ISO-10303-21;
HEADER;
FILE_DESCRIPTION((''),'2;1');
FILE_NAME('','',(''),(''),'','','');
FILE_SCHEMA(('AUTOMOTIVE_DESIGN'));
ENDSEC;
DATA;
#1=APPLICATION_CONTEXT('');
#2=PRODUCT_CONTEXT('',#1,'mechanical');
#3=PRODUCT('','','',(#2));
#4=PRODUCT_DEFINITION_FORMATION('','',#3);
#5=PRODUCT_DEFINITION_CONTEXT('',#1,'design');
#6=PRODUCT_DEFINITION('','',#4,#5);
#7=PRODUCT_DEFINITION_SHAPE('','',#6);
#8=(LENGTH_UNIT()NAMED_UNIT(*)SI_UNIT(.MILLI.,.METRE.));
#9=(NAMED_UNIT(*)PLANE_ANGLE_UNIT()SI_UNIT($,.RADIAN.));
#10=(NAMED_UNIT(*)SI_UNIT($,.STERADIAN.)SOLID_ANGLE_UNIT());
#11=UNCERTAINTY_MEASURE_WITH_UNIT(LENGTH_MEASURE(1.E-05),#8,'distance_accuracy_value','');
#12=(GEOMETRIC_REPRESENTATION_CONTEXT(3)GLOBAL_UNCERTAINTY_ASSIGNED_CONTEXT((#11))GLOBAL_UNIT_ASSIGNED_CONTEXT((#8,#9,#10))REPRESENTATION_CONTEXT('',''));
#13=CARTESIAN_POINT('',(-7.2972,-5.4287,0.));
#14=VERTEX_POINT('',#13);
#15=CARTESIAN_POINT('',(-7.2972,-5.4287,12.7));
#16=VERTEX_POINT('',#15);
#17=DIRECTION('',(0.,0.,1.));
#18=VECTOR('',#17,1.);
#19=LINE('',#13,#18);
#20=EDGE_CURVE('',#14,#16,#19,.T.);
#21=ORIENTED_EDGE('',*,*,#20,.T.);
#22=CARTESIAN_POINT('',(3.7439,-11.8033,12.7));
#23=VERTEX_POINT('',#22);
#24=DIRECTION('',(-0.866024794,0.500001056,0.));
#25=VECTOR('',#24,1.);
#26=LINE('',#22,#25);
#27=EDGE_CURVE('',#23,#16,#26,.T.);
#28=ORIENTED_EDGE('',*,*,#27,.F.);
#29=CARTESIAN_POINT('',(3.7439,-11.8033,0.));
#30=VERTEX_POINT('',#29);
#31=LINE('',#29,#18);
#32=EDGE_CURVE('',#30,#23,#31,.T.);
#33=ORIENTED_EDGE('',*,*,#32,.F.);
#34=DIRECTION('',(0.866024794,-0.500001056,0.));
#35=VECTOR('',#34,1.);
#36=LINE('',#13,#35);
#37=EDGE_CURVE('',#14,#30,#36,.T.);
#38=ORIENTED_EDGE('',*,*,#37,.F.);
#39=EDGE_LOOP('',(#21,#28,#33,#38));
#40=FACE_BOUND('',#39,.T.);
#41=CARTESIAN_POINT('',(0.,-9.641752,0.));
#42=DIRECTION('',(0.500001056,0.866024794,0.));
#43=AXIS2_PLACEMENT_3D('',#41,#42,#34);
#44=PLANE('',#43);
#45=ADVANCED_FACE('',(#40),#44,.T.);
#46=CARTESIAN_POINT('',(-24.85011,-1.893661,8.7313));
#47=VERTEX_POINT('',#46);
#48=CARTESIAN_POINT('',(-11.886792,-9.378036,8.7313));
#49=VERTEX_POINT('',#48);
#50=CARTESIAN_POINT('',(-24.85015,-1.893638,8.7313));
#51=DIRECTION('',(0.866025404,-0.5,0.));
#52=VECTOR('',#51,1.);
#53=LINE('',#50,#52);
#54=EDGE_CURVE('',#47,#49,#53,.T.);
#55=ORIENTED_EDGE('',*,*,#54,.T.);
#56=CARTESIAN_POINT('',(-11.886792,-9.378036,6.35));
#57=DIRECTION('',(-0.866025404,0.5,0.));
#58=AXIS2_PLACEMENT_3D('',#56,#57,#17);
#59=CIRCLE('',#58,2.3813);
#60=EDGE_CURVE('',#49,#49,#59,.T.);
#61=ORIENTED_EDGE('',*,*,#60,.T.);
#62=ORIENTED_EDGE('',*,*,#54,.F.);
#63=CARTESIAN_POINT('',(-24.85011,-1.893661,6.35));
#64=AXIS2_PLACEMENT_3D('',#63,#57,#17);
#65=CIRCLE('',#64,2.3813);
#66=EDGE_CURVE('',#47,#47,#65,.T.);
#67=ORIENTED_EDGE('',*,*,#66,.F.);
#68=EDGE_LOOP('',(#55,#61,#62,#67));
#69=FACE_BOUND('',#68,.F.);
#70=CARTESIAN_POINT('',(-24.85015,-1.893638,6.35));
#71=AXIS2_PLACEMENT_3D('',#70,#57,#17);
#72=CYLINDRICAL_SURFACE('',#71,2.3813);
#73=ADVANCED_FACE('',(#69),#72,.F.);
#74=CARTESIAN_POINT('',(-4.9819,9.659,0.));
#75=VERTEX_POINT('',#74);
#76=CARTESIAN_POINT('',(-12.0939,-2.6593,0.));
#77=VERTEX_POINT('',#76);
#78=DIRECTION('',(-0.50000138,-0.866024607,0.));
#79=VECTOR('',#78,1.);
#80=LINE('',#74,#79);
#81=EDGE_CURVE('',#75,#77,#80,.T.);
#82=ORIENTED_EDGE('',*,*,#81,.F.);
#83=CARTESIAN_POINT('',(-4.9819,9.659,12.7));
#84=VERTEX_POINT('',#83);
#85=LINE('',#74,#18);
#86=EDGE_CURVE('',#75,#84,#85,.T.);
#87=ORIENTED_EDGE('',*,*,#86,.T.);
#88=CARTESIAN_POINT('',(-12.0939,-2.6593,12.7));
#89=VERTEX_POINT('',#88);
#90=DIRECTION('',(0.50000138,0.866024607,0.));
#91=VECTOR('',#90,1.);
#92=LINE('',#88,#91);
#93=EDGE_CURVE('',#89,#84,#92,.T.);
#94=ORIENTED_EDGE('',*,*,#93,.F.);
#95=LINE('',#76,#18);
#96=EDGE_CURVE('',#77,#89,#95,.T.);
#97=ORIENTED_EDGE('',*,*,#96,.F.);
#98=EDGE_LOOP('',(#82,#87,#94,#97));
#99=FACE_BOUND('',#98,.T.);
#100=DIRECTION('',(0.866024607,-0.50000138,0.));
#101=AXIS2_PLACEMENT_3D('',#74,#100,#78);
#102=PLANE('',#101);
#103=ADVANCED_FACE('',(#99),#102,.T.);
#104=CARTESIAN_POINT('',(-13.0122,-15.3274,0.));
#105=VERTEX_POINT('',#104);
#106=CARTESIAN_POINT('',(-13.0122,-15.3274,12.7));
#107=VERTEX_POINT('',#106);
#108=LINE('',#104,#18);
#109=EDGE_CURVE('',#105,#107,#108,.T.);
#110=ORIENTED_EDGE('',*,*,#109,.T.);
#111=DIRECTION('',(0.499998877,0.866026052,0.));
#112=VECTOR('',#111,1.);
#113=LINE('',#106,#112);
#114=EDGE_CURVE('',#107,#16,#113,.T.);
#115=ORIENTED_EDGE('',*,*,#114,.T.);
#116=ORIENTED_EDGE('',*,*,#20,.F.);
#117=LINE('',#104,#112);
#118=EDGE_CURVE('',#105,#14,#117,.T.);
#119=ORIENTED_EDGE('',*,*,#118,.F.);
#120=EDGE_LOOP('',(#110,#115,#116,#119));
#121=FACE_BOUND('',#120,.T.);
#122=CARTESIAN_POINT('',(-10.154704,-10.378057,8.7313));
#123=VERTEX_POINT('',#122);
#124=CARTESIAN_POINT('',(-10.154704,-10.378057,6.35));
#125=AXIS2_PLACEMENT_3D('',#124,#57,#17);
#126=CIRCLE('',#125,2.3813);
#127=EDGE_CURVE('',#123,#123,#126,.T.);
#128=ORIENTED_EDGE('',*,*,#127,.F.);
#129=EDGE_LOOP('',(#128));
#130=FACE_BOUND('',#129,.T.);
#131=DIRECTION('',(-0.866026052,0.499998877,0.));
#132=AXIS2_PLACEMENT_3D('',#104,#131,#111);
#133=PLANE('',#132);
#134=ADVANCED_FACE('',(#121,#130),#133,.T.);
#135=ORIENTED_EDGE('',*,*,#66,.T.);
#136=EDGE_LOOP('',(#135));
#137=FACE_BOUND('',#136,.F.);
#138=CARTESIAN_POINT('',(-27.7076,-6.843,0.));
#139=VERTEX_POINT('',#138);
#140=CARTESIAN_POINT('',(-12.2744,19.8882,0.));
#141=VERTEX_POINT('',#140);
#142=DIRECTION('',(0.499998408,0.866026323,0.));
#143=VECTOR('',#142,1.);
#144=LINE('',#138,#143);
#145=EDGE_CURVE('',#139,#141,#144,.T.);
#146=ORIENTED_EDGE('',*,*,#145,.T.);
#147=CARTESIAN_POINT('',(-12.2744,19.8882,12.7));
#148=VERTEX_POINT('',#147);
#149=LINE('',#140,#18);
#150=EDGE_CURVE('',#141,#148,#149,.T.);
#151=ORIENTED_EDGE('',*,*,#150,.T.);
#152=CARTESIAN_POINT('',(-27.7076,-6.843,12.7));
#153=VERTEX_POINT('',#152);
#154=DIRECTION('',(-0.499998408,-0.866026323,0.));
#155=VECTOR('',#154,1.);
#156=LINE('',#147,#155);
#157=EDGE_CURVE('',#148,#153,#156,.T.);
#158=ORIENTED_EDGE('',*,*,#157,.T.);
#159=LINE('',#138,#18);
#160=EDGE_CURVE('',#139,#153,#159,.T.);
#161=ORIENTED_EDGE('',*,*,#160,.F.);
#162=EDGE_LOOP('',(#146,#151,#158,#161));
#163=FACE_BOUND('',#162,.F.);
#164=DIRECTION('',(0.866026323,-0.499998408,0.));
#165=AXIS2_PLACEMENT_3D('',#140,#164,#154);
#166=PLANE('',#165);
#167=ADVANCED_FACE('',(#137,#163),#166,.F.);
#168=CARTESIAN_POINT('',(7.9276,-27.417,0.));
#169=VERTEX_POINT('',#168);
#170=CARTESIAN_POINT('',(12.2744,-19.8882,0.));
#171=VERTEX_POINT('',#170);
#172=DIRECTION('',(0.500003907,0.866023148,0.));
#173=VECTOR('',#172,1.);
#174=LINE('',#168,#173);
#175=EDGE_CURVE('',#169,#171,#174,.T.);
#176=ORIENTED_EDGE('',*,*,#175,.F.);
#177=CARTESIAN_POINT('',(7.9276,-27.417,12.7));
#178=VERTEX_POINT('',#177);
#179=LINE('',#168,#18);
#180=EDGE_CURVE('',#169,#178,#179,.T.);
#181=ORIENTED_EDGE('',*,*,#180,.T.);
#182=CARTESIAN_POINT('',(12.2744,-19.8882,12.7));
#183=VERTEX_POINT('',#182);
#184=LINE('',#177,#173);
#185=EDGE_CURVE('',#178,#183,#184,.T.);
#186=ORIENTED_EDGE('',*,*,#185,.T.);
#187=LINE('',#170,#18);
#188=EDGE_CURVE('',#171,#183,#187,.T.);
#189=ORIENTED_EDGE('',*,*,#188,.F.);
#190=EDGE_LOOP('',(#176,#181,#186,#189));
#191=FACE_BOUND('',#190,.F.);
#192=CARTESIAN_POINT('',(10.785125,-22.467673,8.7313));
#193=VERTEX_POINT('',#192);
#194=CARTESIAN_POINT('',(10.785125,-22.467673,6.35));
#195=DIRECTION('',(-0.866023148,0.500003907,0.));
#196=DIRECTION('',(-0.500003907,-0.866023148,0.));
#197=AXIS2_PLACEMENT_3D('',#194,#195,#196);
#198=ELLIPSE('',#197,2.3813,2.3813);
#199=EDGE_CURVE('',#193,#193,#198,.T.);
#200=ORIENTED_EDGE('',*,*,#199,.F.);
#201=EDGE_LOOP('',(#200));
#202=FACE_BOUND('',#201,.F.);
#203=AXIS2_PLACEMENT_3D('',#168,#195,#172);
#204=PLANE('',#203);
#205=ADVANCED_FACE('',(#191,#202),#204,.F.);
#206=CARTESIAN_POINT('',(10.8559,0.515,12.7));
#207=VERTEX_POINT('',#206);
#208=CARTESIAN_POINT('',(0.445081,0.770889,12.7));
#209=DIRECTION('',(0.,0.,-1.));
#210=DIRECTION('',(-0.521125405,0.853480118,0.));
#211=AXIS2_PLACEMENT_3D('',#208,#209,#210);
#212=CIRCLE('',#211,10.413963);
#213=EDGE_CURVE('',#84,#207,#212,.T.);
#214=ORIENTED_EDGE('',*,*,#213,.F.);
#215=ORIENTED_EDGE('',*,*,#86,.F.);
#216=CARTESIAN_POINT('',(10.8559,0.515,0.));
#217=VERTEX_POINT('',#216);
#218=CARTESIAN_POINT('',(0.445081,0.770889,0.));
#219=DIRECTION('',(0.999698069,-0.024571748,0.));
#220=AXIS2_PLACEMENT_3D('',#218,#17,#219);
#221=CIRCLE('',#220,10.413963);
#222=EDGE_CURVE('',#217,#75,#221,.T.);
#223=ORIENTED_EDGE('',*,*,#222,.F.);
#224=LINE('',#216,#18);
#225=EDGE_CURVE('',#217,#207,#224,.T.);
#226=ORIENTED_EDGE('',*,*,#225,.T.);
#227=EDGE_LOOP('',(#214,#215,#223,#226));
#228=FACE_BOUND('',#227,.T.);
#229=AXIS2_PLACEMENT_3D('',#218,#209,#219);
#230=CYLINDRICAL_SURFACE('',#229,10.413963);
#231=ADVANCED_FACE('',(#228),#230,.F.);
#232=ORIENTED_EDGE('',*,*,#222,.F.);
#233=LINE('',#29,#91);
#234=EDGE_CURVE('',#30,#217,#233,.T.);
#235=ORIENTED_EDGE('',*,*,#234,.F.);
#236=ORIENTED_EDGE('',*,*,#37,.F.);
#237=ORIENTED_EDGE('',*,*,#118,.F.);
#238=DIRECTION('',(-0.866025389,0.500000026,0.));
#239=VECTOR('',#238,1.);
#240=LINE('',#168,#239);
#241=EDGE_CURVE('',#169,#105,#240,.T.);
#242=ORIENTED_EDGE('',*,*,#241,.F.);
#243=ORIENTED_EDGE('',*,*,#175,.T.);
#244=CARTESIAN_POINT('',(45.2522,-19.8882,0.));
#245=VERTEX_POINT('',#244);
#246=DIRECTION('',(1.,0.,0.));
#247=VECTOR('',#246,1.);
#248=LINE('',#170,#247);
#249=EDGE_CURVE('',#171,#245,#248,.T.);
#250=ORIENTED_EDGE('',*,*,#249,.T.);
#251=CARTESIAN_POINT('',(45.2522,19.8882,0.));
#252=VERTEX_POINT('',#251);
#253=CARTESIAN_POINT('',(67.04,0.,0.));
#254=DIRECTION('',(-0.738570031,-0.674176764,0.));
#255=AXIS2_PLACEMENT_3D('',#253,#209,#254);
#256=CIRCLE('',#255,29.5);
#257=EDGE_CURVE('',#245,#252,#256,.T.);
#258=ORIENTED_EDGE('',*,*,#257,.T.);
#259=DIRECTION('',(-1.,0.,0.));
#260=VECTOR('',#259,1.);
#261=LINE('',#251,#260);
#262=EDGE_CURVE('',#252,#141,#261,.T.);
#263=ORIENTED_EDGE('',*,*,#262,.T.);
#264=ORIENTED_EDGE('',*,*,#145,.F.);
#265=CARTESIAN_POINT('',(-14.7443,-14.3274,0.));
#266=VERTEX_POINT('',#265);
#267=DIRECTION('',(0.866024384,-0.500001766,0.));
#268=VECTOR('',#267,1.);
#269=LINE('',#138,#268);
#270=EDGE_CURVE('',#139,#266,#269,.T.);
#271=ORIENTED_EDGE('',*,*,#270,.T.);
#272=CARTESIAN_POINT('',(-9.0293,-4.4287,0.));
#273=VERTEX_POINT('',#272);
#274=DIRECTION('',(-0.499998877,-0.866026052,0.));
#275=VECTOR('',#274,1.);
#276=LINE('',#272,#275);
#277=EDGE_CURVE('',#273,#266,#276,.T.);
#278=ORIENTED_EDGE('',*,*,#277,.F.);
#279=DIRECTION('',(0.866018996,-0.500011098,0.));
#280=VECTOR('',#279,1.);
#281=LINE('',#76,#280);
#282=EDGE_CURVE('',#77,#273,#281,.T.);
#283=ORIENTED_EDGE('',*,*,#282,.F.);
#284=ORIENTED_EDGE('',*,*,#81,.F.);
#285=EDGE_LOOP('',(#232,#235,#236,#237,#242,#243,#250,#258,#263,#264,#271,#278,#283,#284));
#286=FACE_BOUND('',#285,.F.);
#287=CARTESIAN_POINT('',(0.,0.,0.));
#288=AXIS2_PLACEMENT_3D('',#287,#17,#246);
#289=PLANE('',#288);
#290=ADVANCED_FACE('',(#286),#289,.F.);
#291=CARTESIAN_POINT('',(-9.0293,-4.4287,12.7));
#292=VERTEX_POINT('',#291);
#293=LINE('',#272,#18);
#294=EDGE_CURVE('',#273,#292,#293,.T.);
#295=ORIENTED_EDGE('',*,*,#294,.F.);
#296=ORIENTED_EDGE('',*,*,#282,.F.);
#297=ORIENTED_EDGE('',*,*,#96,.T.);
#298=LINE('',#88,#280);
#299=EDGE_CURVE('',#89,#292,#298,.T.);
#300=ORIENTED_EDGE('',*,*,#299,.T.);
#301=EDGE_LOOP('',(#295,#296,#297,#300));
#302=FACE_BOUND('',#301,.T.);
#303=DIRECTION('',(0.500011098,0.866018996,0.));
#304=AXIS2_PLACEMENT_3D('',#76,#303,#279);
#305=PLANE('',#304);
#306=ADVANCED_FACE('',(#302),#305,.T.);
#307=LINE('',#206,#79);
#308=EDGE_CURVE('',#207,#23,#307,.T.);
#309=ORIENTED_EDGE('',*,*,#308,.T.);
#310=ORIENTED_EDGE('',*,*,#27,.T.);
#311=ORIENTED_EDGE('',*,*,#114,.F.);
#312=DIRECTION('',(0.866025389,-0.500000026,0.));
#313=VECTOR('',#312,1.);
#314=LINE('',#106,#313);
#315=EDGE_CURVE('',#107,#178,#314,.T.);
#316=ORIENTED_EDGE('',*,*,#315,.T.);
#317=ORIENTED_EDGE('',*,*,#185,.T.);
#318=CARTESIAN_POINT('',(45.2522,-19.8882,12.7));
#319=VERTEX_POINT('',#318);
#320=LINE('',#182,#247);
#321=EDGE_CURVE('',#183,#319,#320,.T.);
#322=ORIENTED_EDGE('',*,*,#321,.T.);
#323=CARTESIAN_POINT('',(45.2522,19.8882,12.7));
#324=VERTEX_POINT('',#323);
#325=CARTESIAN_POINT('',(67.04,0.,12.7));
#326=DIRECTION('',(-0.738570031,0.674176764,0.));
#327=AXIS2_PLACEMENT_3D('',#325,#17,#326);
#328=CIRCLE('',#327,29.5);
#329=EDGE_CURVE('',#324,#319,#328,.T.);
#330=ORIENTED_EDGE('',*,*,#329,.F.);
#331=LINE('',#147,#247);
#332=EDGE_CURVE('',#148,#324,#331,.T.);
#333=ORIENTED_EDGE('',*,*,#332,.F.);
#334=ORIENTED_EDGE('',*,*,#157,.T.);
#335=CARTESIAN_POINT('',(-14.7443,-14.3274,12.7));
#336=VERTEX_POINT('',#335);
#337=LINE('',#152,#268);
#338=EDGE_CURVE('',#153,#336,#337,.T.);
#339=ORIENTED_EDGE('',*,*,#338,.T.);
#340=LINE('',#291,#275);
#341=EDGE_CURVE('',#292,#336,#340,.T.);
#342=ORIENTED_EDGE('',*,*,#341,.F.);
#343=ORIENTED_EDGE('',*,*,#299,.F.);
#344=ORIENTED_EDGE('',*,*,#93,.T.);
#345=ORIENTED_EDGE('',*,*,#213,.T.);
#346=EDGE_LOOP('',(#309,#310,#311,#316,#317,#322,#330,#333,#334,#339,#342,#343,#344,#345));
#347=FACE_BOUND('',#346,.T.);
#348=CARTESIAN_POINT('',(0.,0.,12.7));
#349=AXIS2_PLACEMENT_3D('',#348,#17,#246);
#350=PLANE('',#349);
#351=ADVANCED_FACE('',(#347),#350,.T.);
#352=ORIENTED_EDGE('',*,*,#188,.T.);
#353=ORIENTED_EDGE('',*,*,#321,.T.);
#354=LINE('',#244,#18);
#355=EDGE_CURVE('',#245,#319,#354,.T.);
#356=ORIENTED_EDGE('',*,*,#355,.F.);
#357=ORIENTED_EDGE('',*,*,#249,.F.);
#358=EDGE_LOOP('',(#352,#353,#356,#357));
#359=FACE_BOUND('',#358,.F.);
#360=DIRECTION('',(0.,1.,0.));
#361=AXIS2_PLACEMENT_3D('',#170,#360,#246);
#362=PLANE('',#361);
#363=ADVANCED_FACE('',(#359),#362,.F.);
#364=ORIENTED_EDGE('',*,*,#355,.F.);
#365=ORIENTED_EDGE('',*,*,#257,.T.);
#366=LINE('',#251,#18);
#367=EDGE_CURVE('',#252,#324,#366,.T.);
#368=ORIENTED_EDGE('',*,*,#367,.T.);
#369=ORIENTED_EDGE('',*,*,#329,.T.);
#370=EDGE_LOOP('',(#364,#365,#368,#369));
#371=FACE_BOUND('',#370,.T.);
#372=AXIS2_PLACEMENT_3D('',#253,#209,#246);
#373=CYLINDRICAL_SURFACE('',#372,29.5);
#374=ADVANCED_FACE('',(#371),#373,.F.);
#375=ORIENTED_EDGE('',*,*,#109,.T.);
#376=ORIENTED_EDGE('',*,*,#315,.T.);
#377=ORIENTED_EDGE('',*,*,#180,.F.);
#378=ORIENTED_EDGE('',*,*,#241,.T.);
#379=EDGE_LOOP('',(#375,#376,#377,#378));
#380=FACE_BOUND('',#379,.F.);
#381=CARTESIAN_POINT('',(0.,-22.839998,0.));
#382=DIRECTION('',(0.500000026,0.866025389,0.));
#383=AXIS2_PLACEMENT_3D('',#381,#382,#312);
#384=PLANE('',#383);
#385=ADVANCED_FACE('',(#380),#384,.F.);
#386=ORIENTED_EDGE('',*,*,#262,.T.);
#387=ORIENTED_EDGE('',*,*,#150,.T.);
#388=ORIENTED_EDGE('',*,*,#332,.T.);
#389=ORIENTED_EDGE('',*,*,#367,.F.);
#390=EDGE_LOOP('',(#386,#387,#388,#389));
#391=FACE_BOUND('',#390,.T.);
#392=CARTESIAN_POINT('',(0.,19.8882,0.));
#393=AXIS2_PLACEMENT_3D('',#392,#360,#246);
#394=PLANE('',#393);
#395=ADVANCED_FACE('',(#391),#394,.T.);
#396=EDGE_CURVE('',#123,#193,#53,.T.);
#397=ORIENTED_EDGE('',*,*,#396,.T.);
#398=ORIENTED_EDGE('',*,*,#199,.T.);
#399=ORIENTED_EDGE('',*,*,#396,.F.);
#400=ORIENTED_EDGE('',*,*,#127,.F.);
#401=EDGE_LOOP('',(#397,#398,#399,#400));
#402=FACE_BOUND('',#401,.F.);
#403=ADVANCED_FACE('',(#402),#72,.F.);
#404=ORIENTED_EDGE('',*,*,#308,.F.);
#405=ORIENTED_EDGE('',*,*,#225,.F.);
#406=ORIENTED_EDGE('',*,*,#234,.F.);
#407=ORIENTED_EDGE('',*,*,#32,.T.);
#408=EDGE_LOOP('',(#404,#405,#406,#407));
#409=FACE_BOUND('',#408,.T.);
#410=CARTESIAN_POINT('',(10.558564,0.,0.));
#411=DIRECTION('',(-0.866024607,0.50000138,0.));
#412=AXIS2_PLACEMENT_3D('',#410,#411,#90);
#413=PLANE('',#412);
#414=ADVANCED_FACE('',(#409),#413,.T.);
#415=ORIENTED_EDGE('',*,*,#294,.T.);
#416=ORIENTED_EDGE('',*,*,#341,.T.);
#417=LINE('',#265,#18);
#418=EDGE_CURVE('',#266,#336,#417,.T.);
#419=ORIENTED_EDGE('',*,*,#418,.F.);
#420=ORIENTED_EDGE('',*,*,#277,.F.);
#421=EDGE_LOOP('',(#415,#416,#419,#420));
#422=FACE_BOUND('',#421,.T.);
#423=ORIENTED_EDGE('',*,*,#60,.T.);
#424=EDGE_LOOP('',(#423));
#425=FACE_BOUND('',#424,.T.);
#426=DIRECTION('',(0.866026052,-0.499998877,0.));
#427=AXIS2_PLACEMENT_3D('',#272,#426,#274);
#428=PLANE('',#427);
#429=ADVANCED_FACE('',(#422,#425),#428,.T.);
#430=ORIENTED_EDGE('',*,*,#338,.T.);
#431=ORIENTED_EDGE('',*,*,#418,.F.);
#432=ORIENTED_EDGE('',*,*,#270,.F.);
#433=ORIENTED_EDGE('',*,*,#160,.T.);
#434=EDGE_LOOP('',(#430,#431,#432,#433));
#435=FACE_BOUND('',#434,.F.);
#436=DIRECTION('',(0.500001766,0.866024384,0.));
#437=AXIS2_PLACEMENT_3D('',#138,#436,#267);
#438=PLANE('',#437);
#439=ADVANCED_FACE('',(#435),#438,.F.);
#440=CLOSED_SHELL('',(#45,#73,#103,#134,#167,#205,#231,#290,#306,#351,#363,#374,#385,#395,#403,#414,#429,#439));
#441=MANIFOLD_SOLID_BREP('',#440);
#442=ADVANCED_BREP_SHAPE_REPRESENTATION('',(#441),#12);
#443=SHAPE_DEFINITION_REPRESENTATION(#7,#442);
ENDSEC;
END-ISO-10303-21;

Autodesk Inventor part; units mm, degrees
ref_plane "YZ Plane" through (0, 0, 0) normal (1, 0, 0) x (0, 1, 0)
ref_plane "XZ Plane" through (0, 0, 0) normal (0, 1, 0) x (-1, 0, 0)
sketch "Sketch1" plane through (0, 0, 0) normal (0, 0, 1) x (1, 0, 0)
  circle A0 centre (67.04, 0) radius 29.5
  line L0 (-4.9819, 9.659) -> (-12.0939, -2.6593)
  line L1 (3.7439, -11.8033) -> (10.8559, 0.515)
  arc A1 (10.8559, 0.515) -> (-4.9819, 9.659) centre (0.4451, 0.7709) ccw
  line L2 (-52.5571, 0) -> (121.3895, 0) projected
  line L3 (-12.2744, 19.8882) -> (-27.7076, -6.843)
  line L4 (-27.7076, -6.843) -> (-14.7443, -14.3274)
  line L5 (-12.2744, 19.8882) -> (45.2522, 19.8882)
  line L6 (0, -41.3) -> (0, 41.3) projected
  line L7 (40.8299, 13.5382) -> (17.0809, 13.5382)
  line L8 (13.9059, 10.3632) -> (13.9059, -10.3632)
  line L9 (17.0809, -13.5382) -> (40.8299, -13.5382)
  arc A2 (17.0809, 13.5382) -> (13.9059, 10.3632) centre (17.0809, 10.3632) ccw
  arc A3 (13.9059, -10.3632) -> (17.0809, -13.5382) centre (17.0809, -10.3632) ccw
  line L10 (-9.0293, -4.4287) -> (-14.7443, -14.3274)
  line L11 (-13.0122, -15.3274) -> (-7.2972, -5.4287)
  line L12 (-13.0122, -15.3274) -> (7.9276, -27.417)
  line L13 (-12.0939, -2.6593) -> (-9.0293, -4.4287)
  line L14 (-7.2972, -5.4287) -> (3.7439, -11.8033)
  line L15 (7.9276, -27.417) -> (12.2744, -19.8882)
  line L16 (12.2744, -19.8882) -> (45.2522, -19.8882)
  circle A4 centre (0, 0) radius 3.975
  circle A5 centre (19.4307, 7.7635) radius 2.0193
  point P0 (0, 0)
  point P1 (13.9059, 13.5382)
  point P2 (13.9059, -13.5382)
  dimension "d22" = 12.7
  dimension "d25" = 19.05
  dimension "d2" = 59
  dimension "d3" = 14.224
  dimension "d4" = 18.288
  dimension "d11" = 11.43
  dimension "d45" = 3.175
  dimension "d48" = 2
  dimension "d56" = 10.414
  dimension "d57" = 26.924
  dimension "d58" = 11.43
  dimension "d59" = 30
  dimension "d69" = 20.7264
  dimension "d88" = 6.35
  dimension "d89" = 6.35
  dimension "d90" = 11.43
  dimension "d91" = 7.95
  dimension "d92" = 8.35
  dimension "d93" = 9.144
  dimension "d94" = 4.0386
extrude "plate" add sketch "Sketch1" along normal blind 12.7 contours A0 L7 A2 L8 L2 L1 A1 L6 L5 | L16 L15 L12 L6 L14 L1 L2 L8 A3 L9 A0 | L2 L8 A2 L7 A0 | A0 L9 A3 L8 L2 | L6 A1 L0 L2 L3 L5 | L2 L0 L13 L10 L4 L3 | L12 L11 L14 L6 | A5
extrude "cut out" [suppressed]
extrude "tension holes" [suppressed]
ref_plane "Work Plane1" through (14.1221, 4.6482, 12.7) normal (-0.866, 0.5, 0) x (0, 0, 1)
sketch "Sketch2" plane through (-12.2744, 19.8882, 12.7) normal (-0.866, 0.5, 0) x (0, 0, 1)
  line L0 (-12.7, -19.4365) -> (0, -19.4365) projected
  line L1 (-12.7, -30.8665) -> (0, -30.8665) projected
  line L2 (-6.35, -19.4365) -> (-6.35, -30.8665) construction
  circle A0 centre (-6.35, -25.1515) radius 2.3813
  dimension "d60" = 4.7625
extrude "clamp screw" cut sketch "Sketch2" against normal through all
properties part number "motormount3"
